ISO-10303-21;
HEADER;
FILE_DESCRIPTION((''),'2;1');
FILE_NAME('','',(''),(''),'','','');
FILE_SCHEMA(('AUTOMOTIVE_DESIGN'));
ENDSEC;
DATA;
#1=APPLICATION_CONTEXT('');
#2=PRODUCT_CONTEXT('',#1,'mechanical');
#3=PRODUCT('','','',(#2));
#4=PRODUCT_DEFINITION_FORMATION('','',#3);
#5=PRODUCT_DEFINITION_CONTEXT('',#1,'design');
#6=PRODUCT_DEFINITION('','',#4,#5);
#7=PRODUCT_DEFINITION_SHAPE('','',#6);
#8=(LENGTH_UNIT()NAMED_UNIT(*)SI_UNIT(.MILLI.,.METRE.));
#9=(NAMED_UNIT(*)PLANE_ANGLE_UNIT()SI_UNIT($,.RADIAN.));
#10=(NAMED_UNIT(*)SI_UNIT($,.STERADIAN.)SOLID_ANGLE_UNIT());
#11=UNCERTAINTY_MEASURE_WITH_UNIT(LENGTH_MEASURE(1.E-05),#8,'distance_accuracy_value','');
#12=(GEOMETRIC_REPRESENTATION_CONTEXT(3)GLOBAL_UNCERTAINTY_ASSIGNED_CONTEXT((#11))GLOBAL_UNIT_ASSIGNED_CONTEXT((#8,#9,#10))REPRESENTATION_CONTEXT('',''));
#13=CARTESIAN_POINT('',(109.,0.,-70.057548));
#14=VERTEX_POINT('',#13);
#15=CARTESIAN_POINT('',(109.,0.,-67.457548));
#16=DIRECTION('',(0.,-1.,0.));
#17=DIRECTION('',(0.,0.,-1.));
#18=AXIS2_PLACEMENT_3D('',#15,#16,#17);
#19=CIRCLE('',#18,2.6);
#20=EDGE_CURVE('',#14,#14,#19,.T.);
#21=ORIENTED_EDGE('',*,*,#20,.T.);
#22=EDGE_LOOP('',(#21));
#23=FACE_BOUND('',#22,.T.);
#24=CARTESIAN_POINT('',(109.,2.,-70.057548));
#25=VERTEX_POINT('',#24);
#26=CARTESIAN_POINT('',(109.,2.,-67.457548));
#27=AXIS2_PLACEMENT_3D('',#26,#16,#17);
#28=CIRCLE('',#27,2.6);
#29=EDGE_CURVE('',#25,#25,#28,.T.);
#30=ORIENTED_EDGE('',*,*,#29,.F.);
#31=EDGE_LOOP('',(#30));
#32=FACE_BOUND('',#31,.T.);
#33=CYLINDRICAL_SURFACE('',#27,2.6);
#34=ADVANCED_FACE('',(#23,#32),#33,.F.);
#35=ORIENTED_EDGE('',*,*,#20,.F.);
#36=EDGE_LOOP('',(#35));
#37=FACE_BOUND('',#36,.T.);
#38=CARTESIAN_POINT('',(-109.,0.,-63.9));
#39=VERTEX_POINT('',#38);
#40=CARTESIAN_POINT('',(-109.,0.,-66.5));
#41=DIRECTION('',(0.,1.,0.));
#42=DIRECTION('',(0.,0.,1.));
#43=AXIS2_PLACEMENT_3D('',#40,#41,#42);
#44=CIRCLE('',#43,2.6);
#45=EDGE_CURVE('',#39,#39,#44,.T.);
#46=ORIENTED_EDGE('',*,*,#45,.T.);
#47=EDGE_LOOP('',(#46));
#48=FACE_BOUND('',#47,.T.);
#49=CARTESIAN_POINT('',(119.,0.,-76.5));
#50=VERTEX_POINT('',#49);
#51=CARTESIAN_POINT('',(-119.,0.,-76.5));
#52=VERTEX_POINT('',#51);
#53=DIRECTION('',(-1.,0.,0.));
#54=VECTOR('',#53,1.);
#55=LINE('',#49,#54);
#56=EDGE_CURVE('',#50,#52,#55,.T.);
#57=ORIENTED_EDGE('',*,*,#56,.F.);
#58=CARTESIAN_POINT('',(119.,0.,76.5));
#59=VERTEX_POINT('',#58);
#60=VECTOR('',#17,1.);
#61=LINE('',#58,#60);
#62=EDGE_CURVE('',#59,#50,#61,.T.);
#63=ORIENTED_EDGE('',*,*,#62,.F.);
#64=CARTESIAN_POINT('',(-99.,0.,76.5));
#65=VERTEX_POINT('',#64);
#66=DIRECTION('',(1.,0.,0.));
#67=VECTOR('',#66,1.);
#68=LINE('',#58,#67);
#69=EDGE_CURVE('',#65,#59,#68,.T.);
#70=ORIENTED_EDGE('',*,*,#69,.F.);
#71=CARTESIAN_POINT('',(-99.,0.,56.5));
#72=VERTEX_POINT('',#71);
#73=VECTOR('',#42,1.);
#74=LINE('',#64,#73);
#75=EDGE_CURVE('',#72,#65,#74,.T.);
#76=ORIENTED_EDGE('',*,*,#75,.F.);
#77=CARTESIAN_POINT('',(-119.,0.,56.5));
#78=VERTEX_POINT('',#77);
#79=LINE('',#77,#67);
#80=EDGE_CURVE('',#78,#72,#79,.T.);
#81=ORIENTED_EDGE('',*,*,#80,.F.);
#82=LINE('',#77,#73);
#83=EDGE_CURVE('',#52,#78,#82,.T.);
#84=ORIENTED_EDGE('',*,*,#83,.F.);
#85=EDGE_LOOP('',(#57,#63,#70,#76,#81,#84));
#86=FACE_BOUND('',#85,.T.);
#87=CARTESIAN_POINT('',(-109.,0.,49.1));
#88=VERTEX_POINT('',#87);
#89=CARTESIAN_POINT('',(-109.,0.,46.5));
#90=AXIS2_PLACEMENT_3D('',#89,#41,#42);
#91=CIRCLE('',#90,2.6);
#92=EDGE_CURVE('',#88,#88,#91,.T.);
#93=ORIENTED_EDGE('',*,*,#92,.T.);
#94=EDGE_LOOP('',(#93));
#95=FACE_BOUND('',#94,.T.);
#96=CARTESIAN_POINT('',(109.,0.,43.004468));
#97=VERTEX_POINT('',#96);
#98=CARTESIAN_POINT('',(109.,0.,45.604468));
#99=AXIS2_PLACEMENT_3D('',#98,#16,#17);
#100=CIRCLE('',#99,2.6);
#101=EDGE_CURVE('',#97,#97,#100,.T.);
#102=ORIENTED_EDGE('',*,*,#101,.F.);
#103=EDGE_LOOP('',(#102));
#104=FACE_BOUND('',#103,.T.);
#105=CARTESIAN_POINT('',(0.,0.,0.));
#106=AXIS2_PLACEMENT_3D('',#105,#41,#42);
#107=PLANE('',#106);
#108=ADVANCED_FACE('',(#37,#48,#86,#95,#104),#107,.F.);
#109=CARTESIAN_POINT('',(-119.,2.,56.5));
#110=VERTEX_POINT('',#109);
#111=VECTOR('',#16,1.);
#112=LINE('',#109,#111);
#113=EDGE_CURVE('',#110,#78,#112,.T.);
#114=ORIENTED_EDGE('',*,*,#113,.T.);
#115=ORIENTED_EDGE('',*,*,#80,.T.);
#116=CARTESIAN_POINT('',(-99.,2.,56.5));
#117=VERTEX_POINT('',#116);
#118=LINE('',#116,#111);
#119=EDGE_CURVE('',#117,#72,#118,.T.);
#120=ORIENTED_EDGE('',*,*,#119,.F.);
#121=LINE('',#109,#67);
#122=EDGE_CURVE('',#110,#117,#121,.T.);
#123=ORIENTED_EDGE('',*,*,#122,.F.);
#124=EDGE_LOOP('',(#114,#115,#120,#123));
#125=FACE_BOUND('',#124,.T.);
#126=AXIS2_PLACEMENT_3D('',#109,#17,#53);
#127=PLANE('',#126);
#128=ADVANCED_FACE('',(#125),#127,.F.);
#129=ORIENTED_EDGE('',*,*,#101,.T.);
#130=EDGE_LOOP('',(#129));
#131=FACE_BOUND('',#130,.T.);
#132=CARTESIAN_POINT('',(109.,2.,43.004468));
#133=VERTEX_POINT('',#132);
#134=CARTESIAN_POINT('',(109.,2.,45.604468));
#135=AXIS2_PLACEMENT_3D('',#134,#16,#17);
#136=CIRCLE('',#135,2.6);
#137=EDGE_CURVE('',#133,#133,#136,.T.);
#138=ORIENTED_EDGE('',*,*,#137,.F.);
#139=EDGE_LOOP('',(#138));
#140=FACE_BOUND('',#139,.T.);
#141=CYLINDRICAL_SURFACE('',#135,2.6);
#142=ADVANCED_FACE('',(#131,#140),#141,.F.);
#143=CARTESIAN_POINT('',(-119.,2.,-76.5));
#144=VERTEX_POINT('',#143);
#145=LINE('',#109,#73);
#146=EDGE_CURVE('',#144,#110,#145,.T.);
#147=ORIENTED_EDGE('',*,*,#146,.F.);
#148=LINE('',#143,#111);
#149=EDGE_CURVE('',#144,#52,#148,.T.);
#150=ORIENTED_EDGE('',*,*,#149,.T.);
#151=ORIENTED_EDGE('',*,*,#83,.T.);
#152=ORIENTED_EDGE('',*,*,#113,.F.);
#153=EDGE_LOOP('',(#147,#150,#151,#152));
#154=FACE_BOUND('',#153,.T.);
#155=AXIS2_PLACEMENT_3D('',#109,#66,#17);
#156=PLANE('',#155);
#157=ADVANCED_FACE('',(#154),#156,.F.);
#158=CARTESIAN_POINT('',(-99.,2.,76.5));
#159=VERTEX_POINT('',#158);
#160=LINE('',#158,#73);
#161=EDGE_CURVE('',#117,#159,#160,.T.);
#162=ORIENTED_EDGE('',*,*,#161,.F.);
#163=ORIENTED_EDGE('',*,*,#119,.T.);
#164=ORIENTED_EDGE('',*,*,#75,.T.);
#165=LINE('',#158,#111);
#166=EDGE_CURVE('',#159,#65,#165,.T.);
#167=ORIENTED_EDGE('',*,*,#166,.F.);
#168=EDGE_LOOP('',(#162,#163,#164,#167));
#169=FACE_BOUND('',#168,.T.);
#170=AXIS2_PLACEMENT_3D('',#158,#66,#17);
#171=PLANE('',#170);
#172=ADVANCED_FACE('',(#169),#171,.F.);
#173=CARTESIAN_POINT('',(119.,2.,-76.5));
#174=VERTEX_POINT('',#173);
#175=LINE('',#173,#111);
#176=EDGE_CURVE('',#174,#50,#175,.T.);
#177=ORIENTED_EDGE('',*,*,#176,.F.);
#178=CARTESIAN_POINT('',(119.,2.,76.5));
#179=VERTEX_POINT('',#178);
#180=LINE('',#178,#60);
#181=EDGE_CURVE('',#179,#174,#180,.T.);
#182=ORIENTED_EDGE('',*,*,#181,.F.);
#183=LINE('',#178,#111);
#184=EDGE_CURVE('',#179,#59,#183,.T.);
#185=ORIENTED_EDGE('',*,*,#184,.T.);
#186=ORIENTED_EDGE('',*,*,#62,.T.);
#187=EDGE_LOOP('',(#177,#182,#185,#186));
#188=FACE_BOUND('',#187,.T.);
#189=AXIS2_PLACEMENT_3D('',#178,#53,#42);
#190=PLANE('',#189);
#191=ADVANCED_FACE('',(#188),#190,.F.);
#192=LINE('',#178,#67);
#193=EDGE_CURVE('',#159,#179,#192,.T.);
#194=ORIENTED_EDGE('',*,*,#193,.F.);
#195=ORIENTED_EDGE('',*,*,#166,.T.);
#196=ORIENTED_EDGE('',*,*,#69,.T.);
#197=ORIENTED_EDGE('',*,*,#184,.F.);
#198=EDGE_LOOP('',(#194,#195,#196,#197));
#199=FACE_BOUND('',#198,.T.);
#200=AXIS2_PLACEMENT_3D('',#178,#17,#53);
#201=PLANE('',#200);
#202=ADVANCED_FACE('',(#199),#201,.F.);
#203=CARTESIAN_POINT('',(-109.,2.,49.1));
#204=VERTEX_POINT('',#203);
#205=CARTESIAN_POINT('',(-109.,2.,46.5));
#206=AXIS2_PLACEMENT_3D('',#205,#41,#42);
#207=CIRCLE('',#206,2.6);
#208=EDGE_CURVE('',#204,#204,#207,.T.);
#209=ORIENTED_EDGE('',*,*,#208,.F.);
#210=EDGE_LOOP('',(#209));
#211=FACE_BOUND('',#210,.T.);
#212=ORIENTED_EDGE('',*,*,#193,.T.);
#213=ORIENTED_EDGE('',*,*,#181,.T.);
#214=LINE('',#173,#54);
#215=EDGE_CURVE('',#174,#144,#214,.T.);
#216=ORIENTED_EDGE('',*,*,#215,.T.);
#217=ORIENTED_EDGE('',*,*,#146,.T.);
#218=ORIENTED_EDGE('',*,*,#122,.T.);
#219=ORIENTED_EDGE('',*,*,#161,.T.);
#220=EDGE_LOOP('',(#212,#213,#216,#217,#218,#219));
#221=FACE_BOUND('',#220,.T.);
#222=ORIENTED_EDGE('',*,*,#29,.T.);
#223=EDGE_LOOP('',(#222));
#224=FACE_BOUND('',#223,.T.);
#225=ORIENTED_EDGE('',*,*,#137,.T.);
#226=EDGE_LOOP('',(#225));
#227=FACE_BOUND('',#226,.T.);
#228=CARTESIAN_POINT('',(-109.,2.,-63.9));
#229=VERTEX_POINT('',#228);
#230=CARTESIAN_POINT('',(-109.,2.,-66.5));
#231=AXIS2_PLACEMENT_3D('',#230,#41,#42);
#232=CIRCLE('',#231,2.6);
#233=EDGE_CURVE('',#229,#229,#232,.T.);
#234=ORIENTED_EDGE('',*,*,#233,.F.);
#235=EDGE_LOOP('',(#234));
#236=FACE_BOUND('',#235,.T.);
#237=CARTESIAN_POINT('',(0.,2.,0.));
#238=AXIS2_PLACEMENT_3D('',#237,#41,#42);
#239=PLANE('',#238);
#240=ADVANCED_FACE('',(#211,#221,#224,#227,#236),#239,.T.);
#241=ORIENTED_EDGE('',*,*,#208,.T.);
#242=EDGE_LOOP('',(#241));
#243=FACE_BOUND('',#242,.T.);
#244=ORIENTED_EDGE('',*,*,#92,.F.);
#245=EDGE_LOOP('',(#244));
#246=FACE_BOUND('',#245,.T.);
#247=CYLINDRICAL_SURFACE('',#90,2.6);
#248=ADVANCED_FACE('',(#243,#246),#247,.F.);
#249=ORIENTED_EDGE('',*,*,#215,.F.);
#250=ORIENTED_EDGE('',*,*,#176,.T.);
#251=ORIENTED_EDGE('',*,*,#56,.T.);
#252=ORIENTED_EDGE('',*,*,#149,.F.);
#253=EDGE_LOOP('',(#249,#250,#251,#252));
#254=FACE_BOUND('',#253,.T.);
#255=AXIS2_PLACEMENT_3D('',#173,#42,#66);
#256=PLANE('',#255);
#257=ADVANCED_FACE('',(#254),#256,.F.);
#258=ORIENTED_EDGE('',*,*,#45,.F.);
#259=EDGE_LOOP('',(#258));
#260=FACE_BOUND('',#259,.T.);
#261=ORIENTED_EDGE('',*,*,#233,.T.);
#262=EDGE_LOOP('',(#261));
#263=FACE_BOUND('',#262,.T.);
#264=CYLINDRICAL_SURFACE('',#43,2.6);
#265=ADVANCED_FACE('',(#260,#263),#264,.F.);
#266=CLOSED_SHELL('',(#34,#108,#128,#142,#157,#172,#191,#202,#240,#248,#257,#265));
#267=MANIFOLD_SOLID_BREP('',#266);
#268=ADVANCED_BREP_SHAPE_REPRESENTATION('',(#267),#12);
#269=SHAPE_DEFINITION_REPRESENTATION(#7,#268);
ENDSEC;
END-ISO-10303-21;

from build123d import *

# Parameters (mm, degrees)
P_IDAT_VYSUNUT_M1_DEPTH  = 2
SKICA2_R                 = 2.6
ODEBRAT_VYSUNUT_M1_DEPTH = 2
SKICA3_R                 = 2.6
ODEBRAT_VYSUNUT_M2_DEPTH = 2


with BuildPart() as part:
    # Skica1 → Přidat vysunutím1 (new body)
    with BuildSketch(Plane(origin=(0, 0, 0), x_dir=(1, 0, 0), z_dir=(0, 1, 0))):
        Polygon((119, -76.5), (-99, -76.5), (-99, -56.5), (-119, -56.5), (-119, 76.5), (119, 76.5), align=None)
    extrude(amount=P_IDAT_VYSUNUT_M1_DEPTH)

    # Skica2 → Odebrat vysunutím1 (cut)
    with BuildSketch(Plane.XZ):
        with Locations(Location((109, 45.604467717, 0), (0, 0, 270))):
            Circle(SKICA2_R)
        with Locations(Location((109, -67.457548012, 0), (0, 0, 270))):
            Circle(SKICA2_R)
    extrude(amount=-ODEBRAT_VYSUNUT_M1_DEPTH, mode=Mode.SUBTRACT)

    # Skica3 → Odebrat vysunutím2 (cut)
    with BuildSketch(Plane(origin=(0, 2, 0), x_dir=(1, 0, 0), z_dir=(0, 1, 0))):
        with Locations(Location((-109, 66.5, 0), (0, 0, 270))):
            Circle(SKICA3_R)
        with Locations(Location((-109, -46.5, 0), (0, 0, 270))):
            Circle(SKICA3_R)
    extrude(amount=-ODEBRAT_VYSUNUT_M2_DEPTH, mode=Mode.SUBTRACT)


solid = part.part
